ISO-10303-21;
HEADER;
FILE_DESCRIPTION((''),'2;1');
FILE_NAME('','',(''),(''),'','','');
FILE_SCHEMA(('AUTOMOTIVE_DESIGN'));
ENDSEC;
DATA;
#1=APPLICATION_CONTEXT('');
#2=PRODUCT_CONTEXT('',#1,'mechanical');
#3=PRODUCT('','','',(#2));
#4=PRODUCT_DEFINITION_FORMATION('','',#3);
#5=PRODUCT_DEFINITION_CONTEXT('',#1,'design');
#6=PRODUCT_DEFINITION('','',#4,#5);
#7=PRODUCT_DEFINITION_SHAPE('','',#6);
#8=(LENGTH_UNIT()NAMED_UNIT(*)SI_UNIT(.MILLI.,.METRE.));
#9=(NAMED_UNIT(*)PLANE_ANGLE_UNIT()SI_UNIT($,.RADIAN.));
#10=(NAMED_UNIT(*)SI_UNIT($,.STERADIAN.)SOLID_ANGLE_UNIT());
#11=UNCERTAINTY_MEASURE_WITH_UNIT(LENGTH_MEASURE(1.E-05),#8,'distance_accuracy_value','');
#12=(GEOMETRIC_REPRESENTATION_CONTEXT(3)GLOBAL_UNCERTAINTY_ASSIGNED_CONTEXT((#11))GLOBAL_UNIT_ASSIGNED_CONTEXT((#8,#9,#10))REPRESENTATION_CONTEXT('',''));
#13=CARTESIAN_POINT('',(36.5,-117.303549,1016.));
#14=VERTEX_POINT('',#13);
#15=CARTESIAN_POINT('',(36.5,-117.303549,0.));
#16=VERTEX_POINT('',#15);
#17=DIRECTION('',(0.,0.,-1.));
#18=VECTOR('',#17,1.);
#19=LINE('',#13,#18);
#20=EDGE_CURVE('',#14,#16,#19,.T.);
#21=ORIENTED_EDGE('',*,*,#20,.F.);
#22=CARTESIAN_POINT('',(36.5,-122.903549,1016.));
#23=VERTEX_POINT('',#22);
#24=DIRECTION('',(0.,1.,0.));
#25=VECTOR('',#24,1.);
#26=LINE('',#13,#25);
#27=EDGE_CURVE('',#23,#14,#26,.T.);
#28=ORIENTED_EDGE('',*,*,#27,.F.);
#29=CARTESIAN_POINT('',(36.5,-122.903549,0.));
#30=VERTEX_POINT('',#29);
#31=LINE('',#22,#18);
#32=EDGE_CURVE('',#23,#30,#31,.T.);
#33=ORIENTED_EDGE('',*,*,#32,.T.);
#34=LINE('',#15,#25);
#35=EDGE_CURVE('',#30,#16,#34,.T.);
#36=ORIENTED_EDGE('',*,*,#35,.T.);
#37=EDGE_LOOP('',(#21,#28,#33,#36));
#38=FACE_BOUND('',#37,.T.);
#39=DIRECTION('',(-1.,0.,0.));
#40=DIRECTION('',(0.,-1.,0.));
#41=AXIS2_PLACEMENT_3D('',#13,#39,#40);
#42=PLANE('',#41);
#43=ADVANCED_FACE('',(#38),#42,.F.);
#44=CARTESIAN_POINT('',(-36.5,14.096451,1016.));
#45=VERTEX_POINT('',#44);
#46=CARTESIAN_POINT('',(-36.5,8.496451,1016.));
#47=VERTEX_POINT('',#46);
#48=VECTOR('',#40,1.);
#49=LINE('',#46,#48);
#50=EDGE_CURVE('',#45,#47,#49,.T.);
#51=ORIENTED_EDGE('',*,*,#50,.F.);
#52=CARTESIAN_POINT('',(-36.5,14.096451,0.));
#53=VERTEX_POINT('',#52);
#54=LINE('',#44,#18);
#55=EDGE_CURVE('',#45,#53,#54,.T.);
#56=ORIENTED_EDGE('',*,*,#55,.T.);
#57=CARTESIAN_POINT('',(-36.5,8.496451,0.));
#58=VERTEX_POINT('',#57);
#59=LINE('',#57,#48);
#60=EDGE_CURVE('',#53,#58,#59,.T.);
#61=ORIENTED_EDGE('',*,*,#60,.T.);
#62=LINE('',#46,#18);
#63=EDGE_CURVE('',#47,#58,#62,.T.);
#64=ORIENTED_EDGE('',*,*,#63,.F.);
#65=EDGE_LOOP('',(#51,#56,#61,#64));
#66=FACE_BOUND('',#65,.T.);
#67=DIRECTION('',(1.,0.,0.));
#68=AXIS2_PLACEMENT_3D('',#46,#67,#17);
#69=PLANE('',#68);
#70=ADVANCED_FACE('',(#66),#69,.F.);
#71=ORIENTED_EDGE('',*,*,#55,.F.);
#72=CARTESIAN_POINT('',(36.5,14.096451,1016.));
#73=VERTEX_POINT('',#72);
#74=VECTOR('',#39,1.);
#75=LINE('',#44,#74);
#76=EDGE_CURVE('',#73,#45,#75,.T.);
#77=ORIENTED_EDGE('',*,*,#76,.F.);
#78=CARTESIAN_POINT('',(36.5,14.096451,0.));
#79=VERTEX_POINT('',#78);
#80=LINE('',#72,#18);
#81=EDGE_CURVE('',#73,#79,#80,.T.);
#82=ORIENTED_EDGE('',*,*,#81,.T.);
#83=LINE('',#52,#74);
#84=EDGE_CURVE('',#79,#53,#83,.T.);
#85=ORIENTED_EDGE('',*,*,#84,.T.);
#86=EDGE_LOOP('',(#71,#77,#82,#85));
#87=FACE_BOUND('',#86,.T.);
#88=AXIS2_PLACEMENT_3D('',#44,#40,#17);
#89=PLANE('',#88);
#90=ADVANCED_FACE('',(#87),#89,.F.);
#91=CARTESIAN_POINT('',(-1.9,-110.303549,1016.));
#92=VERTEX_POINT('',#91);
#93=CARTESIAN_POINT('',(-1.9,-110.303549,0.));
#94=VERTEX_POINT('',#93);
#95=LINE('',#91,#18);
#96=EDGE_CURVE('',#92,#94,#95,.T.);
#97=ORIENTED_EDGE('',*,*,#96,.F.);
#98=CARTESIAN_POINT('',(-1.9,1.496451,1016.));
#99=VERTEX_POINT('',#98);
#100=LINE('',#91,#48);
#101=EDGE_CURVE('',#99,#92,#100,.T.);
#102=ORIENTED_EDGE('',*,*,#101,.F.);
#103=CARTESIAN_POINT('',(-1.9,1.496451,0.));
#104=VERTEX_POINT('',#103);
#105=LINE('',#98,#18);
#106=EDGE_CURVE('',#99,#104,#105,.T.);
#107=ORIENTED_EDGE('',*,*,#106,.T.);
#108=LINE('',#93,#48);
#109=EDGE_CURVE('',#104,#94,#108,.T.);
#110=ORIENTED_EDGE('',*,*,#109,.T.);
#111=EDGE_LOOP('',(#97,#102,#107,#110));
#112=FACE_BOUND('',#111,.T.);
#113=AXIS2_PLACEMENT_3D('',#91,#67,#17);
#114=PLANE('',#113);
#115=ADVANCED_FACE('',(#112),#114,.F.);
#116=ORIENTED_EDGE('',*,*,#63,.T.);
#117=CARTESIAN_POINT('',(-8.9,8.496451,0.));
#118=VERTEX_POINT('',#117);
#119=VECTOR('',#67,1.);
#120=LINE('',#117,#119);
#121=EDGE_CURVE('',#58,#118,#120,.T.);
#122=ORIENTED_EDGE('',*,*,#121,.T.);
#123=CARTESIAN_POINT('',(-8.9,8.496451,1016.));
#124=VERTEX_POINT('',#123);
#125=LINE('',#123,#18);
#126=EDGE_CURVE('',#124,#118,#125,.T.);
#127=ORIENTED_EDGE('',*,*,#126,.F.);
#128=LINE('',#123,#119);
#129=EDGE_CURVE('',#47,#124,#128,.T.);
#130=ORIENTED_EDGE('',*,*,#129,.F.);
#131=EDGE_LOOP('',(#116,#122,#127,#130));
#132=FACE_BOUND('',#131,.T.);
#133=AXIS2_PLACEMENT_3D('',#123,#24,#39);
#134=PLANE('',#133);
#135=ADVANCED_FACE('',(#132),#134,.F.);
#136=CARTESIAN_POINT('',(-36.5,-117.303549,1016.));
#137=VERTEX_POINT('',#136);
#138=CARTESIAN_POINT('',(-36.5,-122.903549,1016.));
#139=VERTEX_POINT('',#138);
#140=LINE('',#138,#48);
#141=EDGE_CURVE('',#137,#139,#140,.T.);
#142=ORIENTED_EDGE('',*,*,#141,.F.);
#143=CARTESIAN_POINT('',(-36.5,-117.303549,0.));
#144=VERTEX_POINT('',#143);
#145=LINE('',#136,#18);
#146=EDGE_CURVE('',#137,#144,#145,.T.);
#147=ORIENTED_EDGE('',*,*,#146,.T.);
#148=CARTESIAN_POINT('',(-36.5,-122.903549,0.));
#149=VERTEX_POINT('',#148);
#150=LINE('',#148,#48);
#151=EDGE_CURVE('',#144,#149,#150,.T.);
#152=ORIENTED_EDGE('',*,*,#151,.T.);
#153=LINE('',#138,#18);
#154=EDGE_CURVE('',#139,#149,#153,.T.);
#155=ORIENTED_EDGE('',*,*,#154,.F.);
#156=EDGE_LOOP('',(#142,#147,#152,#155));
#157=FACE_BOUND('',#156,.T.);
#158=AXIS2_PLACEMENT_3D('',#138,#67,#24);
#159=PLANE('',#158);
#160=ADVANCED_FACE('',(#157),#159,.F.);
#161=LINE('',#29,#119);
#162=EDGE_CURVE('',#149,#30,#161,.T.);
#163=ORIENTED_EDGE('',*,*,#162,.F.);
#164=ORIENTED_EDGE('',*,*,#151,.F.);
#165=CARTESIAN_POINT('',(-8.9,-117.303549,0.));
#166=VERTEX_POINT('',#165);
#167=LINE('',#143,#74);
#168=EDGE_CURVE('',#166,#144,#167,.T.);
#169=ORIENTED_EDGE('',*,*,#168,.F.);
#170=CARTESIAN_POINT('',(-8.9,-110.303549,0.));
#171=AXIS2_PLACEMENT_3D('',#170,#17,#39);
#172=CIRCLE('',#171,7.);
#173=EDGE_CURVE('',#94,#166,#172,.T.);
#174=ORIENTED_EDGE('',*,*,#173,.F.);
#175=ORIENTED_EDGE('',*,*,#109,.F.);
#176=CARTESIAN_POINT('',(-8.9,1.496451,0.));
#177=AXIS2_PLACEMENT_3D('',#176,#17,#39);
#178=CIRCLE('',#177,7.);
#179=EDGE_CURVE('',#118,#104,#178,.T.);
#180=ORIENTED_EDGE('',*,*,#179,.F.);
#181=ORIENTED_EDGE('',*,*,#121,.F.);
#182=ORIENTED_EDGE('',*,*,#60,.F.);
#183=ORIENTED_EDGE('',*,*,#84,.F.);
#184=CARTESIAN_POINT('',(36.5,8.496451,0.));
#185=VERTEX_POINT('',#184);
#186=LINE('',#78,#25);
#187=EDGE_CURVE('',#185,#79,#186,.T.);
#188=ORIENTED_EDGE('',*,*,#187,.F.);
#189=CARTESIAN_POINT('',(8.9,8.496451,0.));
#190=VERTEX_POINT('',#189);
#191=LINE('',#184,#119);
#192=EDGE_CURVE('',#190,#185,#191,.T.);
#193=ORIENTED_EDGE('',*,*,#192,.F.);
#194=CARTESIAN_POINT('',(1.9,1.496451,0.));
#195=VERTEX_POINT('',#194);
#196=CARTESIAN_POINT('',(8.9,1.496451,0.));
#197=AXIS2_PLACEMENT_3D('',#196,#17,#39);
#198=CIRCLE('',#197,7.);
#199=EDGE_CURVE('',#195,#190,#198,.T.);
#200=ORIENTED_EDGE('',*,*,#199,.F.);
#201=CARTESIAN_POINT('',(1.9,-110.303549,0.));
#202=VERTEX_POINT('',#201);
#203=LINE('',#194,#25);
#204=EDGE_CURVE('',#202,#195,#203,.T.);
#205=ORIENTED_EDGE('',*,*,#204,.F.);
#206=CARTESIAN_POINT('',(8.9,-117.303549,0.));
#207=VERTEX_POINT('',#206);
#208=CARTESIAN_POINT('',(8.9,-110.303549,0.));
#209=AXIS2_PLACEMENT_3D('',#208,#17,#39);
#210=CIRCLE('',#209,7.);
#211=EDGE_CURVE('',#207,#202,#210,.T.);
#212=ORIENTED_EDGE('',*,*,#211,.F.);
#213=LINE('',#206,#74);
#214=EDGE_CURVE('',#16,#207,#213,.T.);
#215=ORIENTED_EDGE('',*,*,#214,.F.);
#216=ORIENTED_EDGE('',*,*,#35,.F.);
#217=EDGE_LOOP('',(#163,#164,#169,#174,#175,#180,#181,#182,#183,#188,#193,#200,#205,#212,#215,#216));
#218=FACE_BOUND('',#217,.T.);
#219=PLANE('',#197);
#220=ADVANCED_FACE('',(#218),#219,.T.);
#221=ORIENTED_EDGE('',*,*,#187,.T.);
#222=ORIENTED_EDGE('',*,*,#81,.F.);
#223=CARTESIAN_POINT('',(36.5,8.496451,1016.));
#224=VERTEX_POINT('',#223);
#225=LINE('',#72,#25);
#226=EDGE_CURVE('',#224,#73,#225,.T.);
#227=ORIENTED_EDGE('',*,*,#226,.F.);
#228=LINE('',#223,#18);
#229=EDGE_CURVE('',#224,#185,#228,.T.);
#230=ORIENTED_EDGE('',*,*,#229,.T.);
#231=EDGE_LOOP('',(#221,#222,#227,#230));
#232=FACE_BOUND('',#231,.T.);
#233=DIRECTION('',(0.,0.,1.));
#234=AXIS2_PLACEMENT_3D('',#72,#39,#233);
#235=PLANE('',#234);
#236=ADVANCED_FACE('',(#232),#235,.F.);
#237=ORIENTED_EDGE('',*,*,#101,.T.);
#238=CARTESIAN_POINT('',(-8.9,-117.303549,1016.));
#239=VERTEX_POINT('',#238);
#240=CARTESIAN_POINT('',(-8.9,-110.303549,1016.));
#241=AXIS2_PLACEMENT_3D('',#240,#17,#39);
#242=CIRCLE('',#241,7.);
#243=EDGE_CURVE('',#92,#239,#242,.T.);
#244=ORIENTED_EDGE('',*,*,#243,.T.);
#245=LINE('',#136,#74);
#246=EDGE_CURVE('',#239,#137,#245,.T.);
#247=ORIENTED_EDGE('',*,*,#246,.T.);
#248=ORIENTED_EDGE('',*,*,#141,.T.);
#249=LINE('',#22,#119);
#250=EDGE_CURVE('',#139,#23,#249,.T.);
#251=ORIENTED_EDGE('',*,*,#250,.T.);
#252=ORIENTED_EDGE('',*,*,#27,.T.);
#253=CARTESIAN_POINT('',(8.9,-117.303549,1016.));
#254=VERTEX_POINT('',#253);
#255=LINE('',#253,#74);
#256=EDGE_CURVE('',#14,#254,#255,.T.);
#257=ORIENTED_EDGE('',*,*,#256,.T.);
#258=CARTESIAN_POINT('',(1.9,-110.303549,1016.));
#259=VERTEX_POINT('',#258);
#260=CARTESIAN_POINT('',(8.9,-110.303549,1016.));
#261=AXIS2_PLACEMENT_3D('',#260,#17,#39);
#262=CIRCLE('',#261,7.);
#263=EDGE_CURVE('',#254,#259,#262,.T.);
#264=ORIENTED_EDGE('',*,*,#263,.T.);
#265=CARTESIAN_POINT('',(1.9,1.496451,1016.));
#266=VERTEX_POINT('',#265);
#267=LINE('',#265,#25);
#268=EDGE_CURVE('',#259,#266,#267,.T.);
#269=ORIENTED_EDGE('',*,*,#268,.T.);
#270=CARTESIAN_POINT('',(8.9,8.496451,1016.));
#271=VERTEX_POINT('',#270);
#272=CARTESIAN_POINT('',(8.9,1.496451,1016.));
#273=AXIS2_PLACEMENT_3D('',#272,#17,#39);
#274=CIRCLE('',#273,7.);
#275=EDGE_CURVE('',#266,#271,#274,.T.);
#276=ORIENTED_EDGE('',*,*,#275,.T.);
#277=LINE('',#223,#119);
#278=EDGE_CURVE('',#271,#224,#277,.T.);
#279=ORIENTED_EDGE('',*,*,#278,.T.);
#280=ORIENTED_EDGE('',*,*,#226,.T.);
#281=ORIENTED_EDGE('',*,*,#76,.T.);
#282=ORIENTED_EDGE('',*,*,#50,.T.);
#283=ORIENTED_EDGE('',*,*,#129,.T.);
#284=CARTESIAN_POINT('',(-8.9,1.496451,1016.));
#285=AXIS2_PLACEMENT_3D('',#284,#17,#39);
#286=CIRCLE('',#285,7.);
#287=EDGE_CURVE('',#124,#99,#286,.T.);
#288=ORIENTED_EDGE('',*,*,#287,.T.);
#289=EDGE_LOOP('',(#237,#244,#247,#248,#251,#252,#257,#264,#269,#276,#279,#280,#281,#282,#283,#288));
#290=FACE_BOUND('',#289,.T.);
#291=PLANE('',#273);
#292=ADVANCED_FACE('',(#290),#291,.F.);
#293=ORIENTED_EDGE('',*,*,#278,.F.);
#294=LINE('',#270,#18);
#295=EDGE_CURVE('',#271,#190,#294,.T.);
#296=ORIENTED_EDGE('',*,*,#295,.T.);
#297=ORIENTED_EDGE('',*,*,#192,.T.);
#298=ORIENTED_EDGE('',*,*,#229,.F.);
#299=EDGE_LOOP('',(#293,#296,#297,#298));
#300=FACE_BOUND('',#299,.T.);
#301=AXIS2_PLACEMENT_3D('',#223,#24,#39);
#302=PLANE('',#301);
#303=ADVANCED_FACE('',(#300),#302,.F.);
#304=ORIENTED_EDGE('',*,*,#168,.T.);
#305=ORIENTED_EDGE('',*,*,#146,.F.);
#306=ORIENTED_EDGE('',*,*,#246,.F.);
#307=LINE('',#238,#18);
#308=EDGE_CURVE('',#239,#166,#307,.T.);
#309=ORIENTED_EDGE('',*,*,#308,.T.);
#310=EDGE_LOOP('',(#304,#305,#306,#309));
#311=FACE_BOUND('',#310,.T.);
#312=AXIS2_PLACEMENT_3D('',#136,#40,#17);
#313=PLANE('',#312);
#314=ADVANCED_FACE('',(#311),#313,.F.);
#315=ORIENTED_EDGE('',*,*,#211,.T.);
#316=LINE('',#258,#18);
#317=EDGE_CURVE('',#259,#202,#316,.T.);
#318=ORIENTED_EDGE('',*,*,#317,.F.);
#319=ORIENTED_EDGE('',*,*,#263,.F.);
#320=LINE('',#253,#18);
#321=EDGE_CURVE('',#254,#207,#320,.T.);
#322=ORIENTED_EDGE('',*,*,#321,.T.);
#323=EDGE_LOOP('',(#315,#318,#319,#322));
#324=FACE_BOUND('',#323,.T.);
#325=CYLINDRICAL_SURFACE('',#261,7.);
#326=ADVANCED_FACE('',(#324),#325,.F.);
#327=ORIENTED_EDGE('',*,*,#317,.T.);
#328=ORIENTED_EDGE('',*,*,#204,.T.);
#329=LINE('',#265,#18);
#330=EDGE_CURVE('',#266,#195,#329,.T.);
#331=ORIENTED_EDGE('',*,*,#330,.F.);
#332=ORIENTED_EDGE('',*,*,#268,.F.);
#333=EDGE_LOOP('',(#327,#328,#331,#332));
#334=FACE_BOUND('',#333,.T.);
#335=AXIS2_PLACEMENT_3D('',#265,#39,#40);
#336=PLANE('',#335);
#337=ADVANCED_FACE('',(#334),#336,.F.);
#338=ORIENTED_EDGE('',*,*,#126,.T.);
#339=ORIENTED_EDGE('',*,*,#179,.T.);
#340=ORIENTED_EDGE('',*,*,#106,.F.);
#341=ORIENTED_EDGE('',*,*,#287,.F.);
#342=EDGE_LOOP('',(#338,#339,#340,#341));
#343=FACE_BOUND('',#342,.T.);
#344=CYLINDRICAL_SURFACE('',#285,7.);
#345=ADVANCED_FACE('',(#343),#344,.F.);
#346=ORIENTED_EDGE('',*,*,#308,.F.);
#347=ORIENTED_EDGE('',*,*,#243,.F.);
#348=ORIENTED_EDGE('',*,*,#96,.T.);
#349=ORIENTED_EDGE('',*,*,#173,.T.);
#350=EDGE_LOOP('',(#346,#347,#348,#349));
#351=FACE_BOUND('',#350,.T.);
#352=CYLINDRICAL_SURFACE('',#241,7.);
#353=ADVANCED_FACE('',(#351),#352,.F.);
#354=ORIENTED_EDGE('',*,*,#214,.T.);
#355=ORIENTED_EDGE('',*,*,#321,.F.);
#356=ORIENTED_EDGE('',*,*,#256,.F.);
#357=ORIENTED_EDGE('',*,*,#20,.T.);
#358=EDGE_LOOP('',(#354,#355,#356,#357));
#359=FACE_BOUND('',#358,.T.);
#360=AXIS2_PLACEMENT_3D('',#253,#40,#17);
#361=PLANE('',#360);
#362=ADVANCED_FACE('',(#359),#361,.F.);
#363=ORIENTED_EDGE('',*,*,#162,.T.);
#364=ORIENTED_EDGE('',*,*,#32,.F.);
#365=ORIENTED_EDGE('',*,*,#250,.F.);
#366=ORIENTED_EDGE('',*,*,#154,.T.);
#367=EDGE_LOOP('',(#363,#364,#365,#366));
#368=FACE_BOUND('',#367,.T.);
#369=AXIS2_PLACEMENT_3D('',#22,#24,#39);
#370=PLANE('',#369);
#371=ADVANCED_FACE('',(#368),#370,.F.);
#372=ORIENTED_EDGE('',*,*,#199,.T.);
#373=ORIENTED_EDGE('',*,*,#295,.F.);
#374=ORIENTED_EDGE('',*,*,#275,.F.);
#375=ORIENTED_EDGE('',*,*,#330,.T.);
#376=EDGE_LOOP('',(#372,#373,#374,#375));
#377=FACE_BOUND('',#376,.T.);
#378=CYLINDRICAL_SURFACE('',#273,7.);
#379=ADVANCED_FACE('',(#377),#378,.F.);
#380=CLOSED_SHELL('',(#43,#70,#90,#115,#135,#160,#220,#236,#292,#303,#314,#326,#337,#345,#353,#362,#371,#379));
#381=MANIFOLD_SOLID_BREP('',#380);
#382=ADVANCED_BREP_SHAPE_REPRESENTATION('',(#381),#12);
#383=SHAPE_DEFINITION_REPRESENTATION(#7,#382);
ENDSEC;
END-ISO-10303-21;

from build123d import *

# Parameters (mm, degrees)
BOSS_EXTRUDE1_DEPTH = 1016


with BuildPart() as part:
    # Sketch1 → Boss-Extrude1 (new body)
    with BuildSketch(Plane.XY):
        with BuildLine():
            Line((-36.5, 14.096450845), (36.5, 14.096450845))
            Line((36.5, 14.096450845), (36.5, 8.496450845))
            Line((36.5, 8.496450845), (8.9, 8.496450845))
            ThreePointArc((8.9, 8.496450845), (3.950252532, 6.446198313), (1.9, 1.496450845))
            Line((1.9, 1.496450845), (1.9, -110.303549155))
            ThreePointArc((1.9, -110.303549155), (3.950252532, -115.253296624), (8.9, -117.303549155))
            Line((8.9, -117.303549155), (36.5, -117.303549155))
            Line((36.5, -117.303549155), (36.5, -122.903549155))
            Line((36.5, -122.903549155), (-36.5, -122.903549155))
            Line((-36.5, -122.903549155), (-36.5, -117.303549155))
            Line((-36.5, -117.303549155), (-8.9, -117.303549155))
            ThreePointArc((-8.9, -117.303549155), (-3.950252532, -115.253296624), (-1.9, -110.303549155))
            Line((-1.9, -110.303549155), (-1.9, 1.496450845))
            ThreePointArc((-1.9, 1.496450845), (-3.950252532, 6.446198313), (-8.9, 8.496450845))
            Line((-8.9, 8.496450845), (-36.5, 8.496450845))
            Line((-36.5, 8.496450845), (-36.5, 14.096450845))
        make_face()
    extrude(amount=BOSS_EXTRUDE1_DEPTH)


solid = part.part
